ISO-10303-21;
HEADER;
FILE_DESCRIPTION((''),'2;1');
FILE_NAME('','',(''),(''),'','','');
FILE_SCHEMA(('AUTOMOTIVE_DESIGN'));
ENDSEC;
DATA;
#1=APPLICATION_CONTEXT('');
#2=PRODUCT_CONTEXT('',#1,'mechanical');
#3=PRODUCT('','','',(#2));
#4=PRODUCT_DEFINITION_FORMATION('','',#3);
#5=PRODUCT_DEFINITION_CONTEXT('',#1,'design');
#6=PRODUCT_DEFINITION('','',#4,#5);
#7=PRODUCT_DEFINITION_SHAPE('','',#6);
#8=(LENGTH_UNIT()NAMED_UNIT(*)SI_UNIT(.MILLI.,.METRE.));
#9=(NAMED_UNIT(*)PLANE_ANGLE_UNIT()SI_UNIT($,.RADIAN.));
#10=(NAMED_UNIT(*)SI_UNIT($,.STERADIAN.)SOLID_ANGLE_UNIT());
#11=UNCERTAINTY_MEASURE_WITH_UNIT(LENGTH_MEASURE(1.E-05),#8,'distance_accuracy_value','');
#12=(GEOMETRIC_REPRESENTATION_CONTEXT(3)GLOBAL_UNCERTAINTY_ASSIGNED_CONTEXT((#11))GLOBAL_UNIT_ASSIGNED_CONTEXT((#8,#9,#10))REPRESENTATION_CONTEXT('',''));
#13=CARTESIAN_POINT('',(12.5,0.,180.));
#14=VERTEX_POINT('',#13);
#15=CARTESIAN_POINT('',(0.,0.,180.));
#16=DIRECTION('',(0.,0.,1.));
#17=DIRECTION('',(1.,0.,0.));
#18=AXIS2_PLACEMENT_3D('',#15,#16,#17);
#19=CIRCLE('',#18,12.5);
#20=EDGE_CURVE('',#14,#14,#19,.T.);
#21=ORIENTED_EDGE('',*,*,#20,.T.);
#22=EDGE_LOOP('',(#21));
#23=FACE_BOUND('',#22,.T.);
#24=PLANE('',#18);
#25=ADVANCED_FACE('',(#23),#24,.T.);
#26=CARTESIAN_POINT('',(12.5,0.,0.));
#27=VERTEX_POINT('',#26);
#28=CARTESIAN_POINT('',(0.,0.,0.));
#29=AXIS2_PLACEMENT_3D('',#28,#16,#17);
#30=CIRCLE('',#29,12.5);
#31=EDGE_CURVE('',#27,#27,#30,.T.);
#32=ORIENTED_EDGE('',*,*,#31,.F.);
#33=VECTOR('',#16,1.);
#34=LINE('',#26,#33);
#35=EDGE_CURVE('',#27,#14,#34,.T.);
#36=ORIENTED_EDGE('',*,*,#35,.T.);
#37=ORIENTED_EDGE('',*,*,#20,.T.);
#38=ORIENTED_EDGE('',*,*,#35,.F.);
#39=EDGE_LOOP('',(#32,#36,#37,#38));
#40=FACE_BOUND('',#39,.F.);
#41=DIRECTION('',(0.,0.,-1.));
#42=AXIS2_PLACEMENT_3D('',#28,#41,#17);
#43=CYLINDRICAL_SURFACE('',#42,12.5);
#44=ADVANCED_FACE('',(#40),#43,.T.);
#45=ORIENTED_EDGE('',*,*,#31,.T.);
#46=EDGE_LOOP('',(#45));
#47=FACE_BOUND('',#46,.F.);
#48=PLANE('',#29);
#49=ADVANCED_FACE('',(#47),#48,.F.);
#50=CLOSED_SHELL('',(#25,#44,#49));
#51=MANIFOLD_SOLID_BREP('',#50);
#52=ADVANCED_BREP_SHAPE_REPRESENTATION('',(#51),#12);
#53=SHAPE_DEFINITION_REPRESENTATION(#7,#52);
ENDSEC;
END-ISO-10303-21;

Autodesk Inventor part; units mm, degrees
ref_plane "YZ Plane" through (0, 0, 0) normal (1, 0, 0) x (0, 1, 0)
ref_plane "XZ Plane" through (0, 0, 0) normal (0, 1, 0) x (-1, 0, 0)
ref_plane "XY Plane" through (0, 0, 0) normal (0, 0, 1) x (1, 0, 0)
sketch "Boceto1" plane through (0, 0, 0) normal (0, 0, 1) x (1, 0, 0)
  circle A0 centre (0, 0) radius 12.5
  dimension "d0" = 25
extrude "Extrusión1" add sketch "Boceto1" along normal blind 180
properties part number "cilindro_tal"
